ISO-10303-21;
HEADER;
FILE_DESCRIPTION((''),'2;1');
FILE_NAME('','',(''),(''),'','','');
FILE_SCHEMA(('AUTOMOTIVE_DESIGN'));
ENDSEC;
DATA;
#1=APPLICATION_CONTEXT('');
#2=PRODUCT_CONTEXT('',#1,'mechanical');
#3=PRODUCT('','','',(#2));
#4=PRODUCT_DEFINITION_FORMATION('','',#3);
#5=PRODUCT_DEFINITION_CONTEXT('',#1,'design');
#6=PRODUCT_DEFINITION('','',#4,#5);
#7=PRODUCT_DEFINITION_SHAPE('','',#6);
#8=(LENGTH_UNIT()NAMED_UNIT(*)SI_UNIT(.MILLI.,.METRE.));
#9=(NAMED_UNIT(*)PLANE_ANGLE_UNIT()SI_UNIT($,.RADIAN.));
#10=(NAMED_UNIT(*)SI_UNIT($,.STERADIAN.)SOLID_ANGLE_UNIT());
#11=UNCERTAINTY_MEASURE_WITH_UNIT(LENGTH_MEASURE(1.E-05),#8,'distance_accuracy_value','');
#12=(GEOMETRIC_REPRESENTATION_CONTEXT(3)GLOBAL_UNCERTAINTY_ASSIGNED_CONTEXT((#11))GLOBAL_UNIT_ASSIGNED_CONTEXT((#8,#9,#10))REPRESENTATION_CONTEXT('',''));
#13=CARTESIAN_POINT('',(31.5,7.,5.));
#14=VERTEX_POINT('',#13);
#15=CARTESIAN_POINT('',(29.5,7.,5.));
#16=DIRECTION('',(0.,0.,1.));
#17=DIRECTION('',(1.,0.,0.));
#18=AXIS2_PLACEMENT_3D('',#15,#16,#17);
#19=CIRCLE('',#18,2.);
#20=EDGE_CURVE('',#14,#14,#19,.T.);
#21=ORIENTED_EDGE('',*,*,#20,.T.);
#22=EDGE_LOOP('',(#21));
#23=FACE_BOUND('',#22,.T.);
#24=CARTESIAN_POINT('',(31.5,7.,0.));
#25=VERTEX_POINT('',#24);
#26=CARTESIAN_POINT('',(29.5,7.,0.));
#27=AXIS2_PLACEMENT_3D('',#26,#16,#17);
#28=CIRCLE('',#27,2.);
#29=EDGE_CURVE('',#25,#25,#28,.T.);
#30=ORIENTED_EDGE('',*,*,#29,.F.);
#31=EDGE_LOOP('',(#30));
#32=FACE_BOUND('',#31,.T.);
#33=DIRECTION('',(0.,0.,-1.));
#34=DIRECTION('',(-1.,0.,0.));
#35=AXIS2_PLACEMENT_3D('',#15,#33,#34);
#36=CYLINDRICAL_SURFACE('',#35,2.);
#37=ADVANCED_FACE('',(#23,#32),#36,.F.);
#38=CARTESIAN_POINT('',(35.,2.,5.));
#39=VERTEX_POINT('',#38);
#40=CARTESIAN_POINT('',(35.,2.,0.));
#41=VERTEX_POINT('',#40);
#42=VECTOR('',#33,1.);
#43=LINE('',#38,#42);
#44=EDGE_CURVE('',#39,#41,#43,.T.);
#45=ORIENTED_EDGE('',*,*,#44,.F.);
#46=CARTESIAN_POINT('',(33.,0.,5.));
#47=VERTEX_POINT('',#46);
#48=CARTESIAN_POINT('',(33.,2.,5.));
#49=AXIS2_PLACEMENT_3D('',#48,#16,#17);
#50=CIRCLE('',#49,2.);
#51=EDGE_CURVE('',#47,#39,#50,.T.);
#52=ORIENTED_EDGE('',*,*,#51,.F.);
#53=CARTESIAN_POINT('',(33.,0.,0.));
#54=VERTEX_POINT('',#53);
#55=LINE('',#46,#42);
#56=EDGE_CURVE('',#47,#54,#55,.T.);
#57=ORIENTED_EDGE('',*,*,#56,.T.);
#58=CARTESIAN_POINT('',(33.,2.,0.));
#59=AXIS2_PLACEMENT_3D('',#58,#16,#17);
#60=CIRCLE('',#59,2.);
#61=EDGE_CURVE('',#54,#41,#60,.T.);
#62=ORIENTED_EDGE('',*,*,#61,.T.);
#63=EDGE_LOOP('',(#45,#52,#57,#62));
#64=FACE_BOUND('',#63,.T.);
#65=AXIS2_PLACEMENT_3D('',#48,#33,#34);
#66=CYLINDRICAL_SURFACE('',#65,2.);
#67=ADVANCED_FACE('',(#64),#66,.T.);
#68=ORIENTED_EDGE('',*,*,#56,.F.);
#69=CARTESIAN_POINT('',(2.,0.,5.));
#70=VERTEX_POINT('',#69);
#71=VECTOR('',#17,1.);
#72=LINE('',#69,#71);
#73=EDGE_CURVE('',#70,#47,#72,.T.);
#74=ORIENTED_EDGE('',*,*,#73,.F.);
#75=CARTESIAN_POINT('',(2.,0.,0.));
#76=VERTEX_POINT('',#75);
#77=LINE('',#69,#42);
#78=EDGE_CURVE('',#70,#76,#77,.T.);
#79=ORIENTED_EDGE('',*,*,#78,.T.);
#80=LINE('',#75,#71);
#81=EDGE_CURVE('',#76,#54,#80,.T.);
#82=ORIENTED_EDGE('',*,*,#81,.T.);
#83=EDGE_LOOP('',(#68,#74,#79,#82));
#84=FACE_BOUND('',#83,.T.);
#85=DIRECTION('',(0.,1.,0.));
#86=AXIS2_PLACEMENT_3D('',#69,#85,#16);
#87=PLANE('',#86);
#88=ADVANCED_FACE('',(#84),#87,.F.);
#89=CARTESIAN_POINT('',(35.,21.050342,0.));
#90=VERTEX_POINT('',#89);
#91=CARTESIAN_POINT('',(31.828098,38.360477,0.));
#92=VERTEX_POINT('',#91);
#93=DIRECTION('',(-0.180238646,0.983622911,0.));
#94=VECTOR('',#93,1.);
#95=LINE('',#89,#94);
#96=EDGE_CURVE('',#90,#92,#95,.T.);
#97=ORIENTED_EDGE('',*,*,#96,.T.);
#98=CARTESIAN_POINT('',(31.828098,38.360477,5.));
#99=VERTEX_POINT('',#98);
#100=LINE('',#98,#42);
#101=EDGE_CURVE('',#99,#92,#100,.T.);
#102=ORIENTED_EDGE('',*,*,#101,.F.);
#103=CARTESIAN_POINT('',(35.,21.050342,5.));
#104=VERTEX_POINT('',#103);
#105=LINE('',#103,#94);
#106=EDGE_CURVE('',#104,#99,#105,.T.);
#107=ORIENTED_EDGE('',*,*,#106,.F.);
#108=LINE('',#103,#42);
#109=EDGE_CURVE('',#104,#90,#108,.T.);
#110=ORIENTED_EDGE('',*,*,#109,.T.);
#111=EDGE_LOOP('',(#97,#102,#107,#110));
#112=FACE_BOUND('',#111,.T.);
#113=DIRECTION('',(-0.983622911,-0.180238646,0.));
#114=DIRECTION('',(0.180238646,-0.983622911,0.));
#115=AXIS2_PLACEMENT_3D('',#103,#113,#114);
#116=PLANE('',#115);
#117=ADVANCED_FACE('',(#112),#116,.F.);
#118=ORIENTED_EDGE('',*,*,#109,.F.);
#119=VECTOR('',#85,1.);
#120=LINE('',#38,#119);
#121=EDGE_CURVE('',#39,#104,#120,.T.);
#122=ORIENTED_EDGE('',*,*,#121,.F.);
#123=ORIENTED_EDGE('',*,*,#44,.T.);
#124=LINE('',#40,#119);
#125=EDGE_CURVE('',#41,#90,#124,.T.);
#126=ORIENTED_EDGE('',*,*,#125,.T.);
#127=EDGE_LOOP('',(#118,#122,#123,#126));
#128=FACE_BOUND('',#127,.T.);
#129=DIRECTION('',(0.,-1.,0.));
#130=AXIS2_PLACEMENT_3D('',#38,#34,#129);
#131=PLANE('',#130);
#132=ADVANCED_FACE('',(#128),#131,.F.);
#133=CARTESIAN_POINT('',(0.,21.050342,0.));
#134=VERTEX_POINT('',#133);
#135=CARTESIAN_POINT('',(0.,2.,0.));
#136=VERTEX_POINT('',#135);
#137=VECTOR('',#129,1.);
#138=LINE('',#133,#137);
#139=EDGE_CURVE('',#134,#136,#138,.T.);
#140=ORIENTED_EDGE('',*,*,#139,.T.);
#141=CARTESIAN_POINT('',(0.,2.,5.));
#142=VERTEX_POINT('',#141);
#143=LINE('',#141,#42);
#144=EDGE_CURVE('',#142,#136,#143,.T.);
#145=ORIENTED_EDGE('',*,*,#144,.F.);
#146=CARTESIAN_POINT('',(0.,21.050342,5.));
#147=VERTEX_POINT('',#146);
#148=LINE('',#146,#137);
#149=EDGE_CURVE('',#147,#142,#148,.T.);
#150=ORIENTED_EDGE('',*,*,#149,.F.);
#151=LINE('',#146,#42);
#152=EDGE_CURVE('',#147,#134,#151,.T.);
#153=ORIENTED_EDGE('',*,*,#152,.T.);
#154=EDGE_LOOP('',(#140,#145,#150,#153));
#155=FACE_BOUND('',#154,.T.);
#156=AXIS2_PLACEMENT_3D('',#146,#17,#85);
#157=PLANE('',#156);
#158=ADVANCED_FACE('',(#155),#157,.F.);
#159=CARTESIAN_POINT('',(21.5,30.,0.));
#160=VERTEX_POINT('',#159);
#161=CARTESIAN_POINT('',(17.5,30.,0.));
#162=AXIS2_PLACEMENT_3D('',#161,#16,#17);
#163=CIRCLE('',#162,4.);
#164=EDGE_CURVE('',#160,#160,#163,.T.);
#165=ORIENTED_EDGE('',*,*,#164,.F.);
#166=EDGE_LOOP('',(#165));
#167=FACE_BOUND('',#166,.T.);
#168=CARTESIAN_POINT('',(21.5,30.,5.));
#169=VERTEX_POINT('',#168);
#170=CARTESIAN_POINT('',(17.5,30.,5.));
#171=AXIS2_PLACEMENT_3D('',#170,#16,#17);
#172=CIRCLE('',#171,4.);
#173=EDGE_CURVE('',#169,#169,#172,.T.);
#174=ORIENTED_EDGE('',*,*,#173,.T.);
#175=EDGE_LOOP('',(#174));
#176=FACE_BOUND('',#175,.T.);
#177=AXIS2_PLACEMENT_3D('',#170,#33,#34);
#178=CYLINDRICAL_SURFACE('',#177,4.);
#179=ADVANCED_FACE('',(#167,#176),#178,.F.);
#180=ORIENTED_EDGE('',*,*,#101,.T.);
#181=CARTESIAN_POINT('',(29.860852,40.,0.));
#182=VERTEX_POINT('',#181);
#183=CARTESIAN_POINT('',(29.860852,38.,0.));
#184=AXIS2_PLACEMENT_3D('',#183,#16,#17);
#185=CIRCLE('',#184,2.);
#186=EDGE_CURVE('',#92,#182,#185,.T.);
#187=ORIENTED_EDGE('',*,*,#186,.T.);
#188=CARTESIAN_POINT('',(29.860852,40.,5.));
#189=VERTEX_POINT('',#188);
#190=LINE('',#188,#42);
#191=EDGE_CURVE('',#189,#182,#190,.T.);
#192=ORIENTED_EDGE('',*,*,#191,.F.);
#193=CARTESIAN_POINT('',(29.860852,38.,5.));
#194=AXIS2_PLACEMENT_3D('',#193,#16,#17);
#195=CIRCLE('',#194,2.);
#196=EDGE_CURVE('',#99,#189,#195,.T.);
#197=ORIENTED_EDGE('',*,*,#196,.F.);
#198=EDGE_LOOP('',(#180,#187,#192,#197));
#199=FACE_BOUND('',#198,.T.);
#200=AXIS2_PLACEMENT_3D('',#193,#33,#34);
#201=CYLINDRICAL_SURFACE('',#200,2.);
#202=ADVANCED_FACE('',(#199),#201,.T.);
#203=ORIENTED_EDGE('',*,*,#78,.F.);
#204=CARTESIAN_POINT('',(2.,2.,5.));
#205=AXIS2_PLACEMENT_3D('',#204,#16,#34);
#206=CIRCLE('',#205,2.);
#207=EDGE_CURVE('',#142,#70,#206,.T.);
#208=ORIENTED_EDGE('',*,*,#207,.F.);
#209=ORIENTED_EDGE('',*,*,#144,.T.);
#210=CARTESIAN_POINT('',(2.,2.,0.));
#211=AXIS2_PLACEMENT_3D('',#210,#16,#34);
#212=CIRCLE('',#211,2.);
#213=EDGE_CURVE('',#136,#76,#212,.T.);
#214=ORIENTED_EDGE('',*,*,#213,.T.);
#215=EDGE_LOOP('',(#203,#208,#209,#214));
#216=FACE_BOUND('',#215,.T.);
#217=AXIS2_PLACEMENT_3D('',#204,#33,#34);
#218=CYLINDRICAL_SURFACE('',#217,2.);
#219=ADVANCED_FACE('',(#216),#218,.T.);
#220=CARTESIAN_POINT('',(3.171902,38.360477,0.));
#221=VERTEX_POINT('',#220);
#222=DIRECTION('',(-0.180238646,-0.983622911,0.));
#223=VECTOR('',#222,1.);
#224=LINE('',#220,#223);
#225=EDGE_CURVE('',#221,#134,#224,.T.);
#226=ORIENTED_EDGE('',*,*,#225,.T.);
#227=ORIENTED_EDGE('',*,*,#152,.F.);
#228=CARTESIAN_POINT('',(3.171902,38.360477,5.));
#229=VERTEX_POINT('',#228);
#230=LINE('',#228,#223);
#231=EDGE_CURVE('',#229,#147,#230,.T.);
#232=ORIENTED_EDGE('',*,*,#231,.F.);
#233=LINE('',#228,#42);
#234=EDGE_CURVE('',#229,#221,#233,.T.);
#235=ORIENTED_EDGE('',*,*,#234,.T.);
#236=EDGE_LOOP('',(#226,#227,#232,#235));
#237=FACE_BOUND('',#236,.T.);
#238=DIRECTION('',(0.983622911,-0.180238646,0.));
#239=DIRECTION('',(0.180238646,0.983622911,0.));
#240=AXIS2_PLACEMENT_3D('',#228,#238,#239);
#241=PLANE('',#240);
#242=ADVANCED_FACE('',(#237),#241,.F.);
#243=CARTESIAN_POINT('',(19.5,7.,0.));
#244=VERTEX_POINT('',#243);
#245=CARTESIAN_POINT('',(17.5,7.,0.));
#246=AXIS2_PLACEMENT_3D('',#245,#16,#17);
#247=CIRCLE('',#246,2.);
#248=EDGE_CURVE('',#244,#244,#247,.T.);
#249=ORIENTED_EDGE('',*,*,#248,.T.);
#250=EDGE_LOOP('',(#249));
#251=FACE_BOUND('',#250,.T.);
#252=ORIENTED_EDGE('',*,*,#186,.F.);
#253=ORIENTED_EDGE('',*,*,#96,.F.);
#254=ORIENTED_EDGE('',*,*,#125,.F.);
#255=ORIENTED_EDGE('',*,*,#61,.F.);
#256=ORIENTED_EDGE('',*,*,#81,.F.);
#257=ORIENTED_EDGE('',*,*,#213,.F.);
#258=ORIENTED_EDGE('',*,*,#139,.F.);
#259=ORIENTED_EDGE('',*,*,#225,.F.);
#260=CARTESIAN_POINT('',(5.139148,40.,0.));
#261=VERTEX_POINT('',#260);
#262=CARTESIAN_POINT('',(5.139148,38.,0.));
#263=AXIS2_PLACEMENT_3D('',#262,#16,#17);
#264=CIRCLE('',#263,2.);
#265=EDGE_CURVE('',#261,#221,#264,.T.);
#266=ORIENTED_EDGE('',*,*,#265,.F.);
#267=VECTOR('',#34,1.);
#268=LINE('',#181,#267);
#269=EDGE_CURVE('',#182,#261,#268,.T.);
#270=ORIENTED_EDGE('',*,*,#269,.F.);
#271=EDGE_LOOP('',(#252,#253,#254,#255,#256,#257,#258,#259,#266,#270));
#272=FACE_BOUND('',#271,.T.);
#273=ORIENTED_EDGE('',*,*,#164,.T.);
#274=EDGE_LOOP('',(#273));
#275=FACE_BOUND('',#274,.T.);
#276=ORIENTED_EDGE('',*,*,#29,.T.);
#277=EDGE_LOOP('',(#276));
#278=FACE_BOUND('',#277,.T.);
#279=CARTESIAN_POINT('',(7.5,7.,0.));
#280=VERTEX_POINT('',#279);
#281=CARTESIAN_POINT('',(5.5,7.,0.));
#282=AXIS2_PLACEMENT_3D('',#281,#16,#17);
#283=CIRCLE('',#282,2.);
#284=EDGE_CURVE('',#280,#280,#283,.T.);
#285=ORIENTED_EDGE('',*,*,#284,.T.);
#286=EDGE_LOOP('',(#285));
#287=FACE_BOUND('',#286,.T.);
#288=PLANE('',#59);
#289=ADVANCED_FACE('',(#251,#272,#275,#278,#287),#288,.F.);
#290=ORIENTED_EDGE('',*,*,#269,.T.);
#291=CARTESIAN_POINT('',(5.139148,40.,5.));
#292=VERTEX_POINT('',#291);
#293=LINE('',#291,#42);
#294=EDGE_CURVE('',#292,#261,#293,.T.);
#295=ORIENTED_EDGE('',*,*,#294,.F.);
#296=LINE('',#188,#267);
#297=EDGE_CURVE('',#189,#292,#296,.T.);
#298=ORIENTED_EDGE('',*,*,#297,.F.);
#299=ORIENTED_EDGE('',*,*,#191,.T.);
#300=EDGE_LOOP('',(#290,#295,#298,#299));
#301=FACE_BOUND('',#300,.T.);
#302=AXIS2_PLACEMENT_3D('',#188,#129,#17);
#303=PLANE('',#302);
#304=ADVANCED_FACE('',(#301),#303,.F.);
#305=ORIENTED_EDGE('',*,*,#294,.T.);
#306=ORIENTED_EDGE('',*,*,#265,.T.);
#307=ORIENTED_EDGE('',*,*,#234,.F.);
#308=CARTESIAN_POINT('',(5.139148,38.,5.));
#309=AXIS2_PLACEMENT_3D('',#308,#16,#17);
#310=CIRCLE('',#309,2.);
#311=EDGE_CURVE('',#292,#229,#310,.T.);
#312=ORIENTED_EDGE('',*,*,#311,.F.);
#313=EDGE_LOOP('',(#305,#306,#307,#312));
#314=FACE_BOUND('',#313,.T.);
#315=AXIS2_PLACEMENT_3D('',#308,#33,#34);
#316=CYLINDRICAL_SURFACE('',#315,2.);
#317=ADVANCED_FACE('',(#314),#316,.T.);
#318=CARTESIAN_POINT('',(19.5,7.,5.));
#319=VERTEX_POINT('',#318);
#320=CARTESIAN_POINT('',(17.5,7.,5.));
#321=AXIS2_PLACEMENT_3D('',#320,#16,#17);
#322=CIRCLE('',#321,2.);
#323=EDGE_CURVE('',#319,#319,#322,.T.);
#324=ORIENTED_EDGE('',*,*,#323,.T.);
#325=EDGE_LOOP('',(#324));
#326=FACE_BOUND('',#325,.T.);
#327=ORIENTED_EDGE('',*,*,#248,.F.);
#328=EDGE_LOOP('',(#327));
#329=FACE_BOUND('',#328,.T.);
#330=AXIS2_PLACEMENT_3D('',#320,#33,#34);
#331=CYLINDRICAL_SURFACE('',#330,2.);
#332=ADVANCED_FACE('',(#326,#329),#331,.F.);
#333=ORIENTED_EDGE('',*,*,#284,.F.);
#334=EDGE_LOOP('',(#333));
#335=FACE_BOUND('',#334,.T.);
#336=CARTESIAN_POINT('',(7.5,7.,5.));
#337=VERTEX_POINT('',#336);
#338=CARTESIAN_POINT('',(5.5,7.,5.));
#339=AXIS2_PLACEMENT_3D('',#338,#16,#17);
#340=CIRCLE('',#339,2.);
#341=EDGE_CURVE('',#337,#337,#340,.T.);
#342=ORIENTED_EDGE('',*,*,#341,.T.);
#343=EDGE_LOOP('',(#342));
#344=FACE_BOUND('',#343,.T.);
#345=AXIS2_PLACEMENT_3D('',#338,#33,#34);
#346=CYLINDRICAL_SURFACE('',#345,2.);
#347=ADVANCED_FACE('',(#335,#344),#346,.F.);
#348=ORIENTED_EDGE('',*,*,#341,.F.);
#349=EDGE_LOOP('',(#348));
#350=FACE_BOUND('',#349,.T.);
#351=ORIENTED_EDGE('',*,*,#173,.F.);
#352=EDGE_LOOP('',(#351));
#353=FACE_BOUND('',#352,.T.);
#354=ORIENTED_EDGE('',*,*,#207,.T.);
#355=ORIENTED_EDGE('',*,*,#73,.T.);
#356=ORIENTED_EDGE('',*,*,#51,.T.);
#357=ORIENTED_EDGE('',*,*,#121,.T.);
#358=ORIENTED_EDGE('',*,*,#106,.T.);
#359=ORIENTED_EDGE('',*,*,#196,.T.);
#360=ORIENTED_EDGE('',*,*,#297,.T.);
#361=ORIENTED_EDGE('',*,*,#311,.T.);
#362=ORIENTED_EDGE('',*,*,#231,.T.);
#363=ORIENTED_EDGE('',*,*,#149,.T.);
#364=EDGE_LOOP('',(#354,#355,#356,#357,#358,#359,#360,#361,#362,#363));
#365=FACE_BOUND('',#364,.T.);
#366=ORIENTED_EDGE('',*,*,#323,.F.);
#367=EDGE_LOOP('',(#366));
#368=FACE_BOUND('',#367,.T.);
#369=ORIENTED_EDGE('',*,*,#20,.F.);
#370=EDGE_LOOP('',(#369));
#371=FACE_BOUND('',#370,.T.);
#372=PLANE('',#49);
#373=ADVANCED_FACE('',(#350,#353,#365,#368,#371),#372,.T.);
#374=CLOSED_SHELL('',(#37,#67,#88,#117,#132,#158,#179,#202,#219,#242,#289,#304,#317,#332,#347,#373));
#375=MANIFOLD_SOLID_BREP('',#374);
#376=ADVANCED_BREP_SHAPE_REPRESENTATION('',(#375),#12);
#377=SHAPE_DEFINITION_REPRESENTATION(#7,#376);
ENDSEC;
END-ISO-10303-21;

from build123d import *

# Parameters (mm, degrees)
SKETCH_1_R      = 4
SKETCH_1_R_2    = 2
EXTRUDE_1_DEPTH = 5


with BuildPart() as part:
    # 草图1 → 凸台-拉伸1 (new body)
    with BuildSketch(Plane.XY):
        with BuildLine():
            Line((2, 0), (33, 0))
            ThreePointArc((33, 0), (34.414213562, 0.585786438), (35, 2))
            Line((35, 2), (35, 21.050341825))
            Line((35, 21.050341825), (31.828098105, 38.360477291))
            ThreePointArc((31.828098105, 38.360477291), (31.141290767, 39.536384487), (29.860852284, 40))
            Line((29.860852284, 40), (5.139147716, 40))
            ThreePointArc((5.139147716, 40), (3.858709233, 39.536384487), (3.171901895, 38.360477291))
            Line((3.171901895, 38.360477291), (0, 21.050341825))
            Line((0, 21.050341825), (0, 2))
            ThreePointArc((0, 2), (0.585786438, 0.585786438), (2, 0))
        make_face()
        with Locations((17.5, 30)):
            Circle(SKETCH_1_R, mode=Mode.SUBTRACT)
        with Locations((17.5, 7)):
            Circle(SKETCH_1_R_2, mode=Mode.SUBTRACT)
        with Locations((29.5, 7)):
            Circle(SKETCH_1_R_2, mode=Mode.SUBTRACT)
        with Locations((5.5, 7)):
            Circle(SKETCH_1_R_2, mode=Mode.SUBTRACT)
    extrude(amount=EXTRUDE_1_DEPTH)


solid = part.part
